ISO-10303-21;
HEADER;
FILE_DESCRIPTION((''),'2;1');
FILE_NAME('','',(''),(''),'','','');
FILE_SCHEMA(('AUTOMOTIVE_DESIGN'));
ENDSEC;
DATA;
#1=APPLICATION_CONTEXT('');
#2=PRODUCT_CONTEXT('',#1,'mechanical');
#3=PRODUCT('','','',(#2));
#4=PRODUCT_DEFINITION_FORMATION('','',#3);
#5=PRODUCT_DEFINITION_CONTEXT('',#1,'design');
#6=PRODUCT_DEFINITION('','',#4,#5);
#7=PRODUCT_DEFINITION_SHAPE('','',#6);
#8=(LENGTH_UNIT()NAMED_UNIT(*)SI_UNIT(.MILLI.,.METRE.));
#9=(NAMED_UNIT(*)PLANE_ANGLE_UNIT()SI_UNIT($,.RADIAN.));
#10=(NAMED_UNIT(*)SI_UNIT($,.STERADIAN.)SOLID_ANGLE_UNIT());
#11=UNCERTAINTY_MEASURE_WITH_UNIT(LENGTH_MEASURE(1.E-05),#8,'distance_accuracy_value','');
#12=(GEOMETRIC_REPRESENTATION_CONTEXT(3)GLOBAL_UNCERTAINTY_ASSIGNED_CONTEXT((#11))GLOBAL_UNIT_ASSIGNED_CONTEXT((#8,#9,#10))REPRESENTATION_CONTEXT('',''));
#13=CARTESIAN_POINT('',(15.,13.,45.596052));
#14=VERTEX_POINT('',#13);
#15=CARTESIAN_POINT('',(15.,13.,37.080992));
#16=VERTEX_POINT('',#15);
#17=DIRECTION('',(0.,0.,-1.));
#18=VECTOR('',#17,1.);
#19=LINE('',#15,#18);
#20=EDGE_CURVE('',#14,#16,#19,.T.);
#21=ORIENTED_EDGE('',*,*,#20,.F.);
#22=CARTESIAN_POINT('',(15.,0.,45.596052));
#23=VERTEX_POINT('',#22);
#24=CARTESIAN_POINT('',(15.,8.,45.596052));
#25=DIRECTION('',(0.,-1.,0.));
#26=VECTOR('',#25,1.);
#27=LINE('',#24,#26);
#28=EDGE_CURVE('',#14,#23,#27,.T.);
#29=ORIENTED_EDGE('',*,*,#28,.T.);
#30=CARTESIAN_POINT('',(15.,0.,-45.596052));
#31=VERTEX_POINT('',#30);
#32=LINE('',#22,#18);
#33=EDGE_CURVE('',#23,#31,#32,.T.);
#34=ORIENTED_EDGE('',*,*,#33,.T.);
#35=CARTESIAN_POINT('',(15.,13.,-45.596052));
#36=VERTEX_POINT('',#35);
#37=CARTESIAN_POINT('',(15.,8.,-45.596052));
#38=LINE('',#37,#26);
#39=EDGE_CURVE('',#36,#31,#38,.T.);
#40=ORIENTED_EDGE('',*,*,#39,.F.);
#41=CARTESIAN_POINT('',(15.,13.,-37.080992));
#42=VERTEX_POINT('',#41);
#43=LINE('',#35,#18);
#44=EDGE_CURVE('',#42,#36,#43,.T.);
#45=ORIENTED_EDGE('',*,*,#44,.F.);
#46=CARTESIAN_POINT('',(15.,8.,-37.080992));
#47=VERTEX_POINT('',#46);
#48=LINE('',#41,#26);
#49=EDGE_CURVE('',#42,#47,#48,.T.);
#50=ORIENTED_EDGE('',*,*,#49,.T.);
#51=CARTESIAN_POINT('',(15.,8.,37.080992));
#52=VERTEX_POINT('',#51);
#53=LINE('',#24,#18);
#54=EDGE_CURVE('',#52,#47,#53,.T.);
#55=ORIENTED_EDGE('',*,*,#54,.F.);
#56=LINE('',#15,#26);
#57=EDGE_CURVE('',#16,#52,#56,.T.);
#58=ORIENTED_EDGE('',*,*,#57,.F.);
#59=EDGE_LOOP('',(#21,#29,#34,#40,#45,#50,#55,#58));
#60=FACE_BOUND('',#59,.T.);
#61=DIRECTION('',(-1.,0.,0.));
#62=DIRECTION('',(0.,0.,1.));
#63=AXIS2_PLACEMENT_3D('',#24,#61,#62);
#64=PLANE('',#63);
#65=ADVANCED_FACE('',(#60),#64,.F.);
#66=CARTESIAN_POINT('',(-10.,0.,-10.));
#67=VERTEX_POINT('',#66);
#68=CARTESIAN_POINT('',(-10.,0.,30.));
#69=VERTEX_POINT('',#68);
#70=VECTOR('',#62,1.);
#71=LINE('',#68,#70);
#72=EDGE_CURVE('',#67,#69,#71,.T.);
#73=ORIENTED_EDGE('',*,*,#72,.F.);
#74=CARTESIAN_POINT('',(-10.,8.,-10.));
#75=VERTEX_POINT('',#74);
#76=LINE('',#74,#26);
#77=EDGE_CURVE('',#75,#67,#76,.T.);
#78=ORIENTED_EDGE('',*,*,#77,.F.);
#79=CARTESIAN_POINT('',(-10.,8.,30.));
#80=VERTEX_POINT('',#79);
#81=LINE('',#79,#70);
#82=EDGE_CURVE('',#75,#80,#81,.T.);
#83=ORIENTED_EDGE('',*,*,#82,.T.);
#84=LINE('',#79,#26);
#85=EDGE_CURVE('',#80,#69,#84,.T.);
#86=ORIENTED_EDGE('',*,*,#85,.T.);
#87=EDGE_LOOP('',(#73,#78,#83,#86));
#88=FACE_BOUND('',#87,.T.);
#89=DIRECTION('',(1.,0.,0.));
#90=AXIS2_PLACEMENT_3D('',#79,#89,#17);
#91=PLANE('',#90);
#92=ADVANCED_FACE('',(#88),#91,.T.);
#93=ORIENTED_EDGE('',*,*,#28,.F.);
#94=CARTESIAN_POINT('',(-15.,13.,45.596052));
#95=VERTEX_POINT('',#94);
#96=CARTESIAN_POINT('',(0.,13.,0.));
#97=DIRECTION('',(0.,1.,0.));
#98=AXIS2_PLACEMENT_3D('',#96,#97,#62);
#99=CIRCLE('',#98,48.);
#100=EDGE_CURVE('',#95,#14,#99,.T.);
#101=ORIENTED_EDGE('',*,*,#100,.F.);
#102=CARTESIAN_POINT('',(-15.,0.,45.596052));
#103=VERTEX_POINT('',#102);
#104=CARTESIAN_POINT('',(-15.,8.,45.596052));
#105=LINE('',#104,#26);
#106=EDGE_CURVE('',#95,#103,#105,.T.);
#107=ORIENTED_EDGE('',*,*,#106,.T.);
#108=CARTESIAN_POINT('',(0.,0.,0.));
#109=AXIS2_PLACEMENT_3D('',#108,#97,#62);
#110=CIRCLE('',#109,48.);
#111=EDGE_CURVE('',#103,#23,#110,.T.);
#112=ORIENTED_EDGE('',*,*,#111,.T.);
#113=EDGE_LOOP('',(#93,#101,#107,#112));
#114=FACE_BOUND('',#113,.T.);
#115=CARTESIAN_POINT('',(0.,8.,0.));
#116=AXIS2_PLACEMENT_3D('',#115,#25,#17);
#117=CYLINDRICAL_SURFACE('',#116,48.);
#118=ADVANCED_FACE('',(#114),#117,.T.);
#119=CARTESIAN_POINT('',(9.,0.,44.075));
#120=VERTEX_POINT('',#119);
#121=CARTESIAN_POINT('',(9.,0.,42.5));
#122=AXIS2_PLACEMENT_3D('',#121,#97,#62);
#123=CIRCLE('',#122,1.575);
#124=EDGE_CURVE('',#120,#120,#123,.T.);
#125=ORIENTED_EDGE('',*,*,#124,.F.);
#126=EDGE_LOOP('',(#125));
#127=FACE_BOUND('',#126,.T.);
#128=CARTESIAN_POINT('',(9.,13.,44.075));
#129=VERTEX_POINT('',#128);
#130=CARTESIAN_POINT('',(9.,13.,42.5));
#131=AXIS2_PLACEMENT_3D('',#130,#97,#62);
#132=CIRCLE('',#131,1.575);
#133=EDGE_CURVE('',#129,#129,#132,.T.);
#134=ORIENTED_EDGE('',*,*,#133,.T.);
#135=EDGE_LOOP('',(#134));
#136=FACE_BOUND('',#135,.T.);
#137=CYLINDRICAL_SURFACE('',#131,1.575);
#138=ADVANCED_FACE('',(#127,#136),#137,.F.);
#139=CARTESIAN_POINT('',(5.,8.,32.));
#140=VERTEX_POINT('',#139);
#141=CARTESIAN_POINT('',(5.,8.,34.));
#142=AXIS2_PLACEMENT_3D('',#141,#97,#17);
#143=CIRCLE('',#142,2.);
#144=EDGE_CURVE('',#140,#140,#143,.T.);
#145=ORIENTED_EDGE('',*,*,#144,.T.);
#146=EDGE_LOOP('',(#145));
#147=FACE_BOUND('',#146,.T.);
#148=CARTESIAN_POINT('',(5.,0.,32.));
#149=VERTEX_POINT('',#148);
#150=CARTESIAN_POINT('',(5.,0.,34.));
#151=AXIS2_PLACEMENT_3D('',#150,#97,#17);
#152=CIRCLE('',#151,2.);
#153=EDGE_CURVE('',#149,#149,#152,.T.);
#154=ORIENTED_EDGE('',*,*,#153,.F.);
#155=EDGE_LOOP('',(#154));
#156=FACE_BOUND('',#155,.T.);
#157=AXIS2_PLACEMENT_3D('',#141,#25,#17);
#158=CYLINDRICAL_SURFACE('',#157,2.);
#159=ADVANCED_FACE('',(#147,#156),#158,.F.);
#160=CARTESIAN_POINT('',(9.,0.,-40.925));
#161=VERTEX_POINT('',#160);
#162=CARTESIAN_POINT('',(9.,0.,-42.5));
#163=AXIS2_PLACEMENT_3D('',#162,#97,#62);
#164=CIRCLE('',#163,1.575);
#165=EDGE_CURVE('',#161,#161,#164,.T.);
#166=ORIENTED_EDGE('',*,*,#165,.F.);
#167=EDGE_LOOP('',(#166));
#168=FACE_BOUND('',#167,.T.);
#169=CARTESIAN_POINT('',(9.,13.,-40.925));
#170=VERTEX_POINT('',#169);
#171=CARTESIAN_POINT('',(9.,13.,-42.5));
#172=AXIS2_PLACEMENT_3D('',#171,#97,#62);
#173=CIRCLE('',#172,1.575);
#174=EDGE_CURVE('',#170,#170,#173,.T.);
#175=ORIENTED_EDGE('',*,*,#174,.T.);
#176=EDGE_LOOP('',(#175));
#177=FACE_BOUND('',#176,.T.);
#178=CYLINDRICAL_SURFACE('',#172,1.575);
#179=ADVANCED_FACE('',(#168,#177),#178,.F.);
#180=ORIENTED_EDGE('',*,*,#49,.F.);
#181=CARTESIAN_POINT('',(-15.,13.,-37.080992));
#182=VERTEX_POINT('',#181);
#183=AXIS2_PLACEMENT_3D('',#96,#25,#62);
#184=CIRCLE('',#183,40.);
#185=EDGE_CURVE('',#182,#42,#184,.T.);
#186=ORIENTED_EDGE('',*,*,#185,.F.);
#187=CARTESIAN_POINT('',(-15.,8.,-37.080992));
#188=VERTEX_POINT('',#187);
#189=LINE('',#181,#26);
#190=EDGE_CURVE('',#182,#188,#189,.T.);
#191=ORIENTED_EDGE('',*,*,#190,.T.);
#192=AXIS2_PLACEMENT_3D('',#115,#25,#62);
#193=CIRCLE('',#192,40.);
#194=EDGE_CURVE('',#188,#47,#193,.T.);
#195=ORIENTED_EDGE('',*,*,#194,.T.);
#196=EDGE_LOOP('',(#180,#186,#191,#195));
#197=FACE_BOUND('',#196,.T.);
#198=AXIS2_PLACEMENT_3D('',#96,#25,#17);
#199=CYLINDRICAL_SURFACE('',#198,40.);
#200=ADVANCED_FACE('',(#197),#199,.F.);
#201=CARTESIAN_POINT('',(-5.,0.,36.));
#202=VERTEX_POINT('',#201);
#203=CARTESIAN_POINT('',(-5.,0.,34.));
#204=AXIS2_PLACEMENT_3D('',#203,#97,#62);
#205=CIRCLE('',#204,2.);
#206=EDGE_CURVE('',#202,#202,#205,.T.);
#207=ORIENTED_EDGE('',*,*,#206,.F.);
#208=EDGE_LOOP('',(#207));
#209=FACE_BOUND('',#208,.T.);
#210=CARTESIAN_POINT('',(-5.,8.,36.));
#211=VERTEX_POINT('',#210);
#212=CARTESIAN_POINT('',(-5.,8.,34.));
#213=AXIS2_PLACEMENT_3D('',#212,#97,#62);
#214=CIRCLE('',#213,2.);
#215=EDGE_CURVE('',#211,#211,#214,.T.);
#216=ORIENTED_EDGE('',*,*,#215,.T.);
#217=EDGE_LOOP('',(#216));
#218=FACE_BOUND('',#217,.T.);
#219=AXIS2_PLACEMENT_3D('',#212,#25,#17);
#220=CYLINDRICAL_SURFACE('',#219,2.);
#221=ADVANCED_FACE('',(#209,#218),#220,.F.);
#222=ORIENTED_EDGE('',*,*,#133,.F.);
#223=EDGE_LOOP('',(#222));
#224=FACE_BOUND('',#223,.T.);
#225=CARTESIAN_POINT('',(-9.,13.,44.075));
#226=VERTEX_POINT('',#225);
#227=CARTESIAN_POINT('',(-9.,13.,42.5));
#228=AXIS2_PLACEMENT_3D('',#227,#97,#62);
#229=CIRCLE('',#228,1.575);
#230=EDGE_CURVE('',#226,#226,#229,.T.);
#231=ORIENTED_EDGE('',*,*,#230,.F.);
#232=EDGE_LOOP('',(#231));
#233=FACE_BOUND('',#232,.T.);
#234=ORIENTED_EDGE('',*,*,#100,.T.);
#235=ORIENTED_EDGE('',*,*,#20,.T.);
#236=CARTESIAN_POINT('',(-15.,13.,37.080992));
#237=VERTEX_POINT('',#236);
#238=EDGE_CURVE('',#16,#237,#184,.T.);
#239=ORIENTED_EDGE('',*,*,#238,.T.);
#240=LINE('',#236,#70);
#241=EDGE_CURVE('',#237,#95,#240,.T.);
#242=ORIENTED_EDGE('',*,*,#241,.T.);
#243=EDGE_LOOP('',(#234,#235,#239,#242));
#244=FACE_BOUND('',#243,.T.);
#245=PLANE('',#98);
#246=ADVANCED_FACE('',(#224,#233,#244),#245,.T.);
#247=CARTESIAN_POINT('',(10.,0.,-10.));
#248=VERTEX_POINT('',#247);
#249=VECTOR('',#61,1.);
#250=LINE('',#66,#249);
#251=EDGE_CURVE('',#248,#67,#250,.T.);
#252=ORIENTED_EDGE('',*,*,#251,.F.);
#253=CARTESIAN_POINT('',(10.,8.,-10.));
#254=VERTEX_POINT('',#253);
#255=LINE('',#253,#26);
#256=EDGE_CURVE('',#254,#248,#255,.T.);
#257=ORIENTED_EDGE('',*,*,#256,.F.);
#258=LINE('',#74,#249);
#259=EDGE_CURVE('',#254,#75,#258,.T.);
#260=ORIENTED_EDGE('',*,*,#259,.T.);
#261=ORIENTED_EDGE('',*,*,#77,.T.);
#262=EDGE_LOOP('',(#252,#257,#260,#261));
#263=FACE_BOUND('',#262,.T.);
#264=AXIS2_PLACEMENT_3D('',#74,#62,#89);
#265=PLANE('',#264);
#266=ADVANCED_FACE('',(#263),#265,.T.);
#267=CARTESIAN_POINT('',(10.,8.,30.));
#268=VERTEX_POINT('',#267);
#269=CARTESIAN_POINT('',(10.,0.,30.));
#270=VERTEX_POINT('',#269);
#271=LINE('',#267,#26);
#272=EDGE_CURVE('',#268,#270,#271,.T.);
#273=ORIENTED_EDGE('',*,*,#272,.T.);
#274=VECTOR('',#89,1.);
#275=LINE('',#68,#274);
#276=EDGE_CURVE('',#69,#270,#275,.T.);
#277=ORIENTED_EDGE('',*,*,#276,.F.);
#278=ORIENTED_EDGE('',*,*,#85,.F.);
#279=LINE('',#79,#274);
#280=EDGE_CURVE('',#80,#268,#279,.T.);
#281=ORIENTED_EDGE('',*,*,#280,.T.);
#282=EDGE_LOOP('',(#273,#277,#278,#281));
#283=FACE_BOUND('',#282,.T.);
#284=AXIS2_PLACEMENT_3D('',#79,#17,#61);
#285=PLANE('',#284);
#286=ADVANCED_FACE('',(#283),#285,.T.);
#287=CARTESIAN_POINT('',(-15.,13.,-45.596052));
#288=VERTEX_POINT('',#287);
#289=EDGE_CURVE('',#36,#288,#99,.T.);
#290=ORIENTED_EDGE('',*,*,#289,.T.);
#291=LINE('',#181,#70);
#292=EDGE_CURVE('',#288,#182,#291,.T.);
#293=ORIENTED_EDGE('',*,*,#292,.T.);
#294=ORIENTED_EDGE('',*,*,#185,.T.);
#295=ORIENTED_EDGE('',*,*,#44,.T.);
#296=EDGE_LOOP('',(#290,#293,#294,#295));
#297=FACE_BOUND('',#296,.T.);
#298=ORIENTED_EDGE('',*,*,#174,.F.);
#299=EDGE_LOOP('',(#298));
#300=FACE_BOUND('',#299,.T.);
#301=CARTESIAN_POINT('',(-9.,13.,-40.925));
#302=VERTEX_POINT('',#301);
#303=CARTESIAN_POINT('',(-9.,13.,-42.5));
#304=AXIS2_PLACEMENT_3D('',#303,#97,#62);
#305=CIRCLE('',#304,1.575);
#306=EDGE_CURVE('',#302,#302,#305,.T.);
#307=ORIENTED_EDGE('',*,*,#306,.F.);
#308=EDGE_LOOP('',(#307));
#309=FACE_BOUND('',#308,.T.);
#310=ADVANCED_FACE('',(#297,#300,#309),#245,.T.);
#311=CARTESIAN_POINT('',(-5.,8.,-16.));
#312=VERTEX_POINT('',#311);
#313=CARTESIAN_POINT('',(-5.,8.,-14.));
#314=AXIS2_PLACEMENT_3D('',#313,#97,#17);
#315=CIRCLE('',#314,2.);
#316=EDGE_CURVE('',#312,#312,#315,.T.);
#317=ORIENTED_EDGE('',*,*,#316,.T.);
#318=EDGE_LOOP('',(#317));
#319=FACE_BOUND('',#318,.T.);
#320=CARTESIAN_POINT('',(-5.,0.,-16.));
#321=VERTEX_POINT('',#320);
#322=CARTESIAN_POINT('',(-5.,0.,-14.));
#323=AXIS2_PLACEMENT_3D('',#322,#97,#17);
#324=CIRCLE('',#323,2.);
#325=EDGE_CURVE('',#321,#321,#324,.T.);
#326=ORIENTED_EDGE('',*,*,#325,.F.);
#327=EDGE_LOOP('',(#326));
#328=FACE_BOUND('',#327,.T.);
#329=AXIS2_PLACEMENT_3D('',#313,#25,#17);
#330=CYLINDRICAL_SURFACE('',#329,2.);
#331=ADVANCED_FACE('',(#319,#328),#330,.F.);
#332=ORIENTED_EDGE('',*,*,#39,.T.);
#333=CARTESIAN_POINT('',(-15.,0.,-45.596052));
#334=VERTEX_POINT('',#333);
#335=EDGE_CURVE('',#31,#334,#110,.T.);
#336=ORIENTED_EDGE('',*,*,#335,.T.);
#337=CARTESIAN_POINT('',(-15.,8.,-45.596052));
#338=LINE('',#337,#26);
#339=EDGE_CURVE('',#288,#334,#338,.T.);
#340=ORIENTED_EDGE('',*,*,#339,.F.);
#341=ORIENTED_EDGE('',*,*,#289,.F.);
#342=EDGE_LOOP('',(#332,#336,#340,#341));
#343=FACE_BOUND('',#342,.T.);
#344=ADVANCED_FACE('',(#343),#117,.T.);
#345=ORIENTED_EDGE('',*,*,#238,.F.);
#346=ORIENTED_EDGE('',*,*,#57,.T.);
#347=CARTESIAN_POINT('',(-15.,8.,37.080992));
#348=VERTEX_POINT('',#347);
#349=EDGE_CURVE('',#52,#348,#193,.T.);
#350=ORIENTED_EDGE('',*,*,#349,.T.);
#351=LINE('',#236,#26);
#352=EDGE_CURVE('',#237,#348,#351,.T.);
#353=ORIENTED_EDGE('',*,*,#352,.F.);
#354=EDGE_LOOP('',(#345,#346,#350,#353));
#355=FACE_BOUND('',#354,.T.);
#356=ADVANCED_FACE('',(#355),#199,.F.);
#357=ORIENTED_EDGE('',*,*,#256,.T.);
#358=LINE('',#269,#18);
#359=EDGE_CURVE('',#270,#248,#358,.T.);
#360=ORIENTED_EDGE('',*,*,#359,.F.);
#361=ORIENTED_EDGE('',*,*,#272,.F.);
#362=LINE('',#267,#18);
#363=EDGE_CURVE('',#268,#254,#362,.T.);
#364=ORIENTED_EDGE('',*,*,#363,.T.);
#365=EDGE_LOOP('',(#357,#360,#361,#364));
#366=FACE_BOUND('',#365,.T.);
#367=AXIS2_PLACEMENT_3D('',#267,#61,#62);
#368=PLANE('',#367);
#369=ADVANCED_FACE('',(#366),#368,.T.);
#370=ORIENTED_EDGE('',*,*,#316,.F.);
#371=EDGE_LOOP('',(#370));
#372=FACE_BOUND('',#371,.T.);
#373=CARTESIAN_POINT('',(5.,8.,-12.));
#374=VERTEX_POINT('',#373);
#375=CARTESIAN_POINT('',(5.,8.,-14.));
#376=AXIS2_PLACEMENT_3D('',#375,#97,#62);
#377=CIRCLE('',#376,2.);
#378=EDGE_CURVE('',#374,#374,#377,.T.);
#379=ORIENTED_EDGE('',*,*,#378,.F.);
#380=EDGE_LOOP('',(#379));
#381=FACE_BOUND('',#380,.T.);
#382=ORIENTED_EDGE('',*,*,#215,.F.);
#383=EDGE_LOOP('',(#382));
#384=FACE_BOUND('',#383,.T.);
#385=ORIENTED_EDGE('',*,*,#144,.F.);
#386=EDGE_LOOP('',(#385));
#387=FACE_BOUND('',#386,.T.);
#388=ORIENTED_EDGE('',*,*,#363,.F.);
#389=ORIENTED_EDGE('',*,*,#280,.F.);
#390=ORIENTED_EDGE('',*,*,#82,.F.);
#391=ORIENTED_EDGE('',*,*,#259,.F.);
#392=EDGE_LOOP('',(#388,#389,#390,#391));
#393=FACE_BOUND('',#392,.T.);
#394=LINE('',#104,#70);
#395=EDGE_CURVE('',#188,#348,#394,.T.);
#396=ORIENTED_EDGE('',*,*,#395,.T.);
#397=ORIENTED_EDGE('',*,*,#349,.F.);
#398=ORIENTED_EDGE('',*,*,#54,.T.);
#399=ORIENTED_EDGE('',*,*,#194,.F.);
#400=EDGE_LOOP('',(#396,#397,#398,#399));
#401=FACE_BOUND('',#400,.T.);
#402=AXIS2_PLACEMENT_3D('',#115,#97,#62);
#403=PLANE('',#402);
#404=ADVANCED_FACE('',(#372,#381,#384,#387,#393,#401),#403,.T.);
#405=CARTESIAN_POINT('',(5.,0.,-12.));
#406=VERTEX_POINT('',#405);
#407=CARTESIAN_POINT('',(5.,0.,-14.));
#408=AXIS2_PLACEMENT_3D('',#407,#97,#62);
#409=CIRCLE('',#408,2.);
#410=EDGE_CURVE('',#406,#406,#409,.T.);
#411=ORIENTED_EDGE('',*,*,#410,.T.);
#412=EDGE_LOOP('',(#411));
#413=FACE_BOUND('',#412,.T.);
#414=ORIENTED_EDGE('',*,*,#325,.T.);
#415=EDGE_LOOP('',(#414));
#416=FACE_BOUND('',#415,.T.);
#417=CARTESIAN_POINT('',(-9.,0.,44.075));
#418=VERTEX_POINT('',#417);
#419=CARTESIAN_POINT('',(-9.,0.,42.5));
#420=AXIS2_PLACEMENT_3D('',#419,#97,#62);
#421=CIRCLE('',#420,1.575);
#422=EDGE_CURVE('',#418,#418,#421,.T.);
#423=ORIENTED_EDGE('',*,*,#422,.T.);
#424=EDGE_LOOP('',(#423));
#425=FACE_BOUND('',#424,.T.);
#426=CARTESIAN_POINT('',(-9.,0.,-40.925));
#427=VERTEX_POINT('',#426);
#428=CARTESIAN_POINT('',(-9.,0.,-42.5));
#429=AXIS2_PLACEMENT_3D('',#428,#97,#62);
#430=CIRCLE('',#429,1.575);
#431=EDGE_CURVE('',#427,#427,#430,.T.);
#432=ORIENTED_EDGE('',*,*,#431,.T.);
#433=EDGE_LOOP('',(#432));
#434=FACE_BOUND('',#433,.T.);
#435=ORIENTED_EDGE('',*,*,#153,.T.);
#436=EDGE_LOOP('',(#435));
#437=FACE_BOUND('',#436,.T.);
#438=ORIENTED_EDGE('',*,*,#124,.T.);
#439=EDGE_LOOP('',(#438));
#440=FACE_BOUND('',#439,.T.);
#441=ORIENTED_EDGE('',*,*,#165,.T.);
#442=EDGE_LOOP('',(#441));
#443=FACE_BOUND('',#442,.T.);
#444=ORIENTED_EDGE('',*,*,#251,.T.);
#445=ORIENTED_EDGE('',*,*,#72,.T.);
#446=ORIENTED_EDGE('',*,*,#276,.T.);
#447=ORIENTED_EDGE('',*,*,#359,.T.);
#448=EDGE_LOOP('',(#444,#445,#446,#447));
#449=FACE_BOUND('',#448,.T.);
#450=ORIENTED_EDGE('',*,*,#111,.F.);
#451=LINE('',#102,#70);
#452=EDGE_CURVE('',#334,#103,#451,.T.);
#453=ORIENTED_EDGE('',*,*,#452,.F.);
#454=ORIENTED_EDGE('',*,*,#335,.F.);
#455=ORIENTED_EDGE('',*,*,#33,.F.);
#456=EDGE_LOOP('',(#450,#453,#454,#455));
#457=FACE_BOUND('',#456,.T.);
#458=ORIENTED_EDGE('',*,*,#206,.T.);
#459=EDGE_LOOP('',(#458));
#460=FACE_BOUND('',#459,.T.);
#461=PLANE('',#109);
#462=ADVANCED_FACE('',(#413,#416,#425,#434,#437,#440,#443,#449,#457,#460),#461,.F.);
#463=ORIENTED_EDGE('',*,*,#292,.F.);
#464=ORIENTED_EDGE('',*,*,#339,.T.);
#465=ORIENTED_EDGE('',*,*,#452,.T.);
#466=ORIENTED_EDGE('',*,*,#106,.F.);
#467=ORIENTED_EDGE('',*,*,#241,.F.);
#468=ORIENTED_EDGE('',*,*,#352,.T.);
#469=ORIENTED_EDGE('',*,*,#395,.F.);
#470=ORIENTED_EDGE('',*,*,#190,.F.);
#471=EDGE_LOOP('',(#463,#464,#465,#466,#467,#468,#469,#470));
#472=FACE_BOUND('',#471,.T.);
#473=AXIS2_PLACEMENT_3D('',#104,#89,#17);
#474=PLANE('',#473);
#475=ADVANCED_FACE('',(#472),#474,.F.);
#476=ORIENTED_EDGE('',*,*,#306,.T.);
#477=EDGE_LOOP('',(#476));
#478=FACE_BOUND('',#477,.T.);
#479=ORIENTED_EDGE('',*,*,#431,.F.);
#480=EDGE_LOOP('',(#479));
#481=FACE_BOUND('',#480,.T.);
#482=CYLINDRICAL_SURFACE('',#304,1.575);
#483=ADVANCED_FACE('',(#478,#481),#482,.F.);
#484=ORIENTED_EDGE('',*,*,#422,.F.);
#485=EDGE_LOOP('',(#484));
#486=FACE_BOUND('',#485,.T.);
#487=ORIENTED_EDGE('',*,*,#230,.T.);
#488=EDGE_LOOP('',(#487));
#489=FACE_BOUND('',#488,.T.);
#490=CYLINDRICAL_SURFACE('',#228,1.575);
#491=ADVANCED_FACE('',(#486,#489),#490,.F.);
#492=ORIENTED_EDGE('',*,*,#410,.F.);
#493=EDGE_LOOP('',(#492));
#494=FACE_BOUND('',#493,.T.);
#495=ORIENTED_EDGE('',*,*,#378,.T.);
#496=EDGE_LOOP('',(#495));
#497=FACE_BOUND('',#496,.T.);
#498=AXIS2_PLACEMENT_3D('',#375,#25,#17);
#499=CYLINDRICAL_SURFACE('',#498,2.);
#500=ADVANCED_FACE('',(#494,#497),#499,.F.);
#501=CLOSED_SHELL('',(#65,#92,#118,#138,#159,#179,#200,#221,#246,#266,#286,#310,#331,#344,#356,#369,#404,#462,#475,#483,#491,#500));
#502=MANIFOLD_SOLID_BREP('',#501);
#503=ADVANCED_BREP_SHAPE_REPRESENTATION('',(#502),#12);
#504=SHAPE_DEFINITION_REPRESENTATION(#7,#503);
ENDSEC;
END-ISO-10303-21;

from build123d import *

# Parameters (mm, degrees)
SKETCH_1_R                  = 2
SKETCH_1_W                  = 20
SKETCH_1_H                  = 40
EXTRUDE_1_DEPTH             = 8
EXTRUDE_2_DEPTH             = 5
HOLE_WIZARD_M31_D           = 3.15
PATTERN_LINEAR_1_COUNT      = 2
PATTERN_LINEAR_1_PITCH      = 18
PATTERN_LINEAR_1_COUNT_DIR2 = 2
PATTERN_LINEAR_1_PITCH_DIR2 = 85


with BuildPart() as part:
    # Эскиз1 → Бобышка-Вытянуть1 (new body)
    with BuildSketch(Plane(origin=(0, 0, 0), x_dir=(1, 0, 0), z_dir=(0, 1, 0))):
        with BuildLine():
            Line((-15, -45.596052461), (-15, 45.596052461))
            ThreePointArc((-15, 45.596052461), (0, 48), (15, 45.596052461))
            Line((15, 45.596052461), (15, -45.596052461))
            ThreePointArc((15, -45.596052461), (0, -48), (-15, -45.596052461))
        make_face()
        with Locations((-5, -34)):
            Circle(SKETCH_1_R, mode=Mode.SUBTRACT)
        with Locations((5, -34)):
            Circle(SKETCH_1_R, mode=Mode.SUBTRACT)
        with Locations((5, 14)):
            Circle(SKETCH_1_R, mode=Mode.SUBTRACT)
        with Locations((-5, 14)):
            Circle(SKETCH_1_R, mode=Mode.SUBTRACT)
        with Locations((0, -10)):
            Rectangle(SKETCH_1_W, SKETCH_1_H, mode=Mode.SUBTRACT)
    extrude(amount=EXTRUDE_1_DEPTH)

    # Эскиз2 → Бобышка-Вытянуть2 (add)
    with BuildSketch(Plane(origin=(0, 8, 0), x_dir=(1, 0, 0), z_dir=(0, 1, 0))):
        with BuildLine():
            Line((-15, 37.080992435), (-15, 45.596052461))
            ThreePointArc((-15, 45.596052461), (0, 48), (15, 45.596052461))
            Line((15, 45.596052461), (15, 37.080992435))
            ThreePointArc((15, 37.080992435), (0, 40), (-15, 37.080992435))
        make_face()
        with BuildLine():
            Line((-15, -37.080992435), (-15, -45.596052461))
            ThreePointArc((-15, -45.596052461), (0, -48), (15, -45.596052461))
            Line((15, -45.596052461), (15, -37.080992435))
            ThreePointArc((15, -37.080992435), (0, -40), (-15, -37.080992435))
        make_face()
    extrude(amount=EXTRUDE_2_DEPTH)

    # Сверло под метчик  спиральное M31 (through all)
    with Locations(Plane(origin=(0, 13, 0), x_dir=(1, 0, 0), z_dir=(0, 1, 0))):
        with Locations((-9, -42.5)):
            hole_wizard_m31 = Hole(HOLE_WIZARD_M31_D / 2)

    # Линейный массив1: Hole Wizard M31 2 × 2
    with Locations(*[(i * PATTERN_LINEAR_1_PITCH, 0, -j * PATTERN_LINEAR_1_PITCH_DIR2) for i in range(PATTERN_LINEAR_1_COUNT) for j in range(PATTERN_LINEAR_1_COUNT_DIR2) if (i, j) != (0, 0)]):
        add(hole_wizard_m31, mode=Mode.SUBTRACT)


solid = part.part
